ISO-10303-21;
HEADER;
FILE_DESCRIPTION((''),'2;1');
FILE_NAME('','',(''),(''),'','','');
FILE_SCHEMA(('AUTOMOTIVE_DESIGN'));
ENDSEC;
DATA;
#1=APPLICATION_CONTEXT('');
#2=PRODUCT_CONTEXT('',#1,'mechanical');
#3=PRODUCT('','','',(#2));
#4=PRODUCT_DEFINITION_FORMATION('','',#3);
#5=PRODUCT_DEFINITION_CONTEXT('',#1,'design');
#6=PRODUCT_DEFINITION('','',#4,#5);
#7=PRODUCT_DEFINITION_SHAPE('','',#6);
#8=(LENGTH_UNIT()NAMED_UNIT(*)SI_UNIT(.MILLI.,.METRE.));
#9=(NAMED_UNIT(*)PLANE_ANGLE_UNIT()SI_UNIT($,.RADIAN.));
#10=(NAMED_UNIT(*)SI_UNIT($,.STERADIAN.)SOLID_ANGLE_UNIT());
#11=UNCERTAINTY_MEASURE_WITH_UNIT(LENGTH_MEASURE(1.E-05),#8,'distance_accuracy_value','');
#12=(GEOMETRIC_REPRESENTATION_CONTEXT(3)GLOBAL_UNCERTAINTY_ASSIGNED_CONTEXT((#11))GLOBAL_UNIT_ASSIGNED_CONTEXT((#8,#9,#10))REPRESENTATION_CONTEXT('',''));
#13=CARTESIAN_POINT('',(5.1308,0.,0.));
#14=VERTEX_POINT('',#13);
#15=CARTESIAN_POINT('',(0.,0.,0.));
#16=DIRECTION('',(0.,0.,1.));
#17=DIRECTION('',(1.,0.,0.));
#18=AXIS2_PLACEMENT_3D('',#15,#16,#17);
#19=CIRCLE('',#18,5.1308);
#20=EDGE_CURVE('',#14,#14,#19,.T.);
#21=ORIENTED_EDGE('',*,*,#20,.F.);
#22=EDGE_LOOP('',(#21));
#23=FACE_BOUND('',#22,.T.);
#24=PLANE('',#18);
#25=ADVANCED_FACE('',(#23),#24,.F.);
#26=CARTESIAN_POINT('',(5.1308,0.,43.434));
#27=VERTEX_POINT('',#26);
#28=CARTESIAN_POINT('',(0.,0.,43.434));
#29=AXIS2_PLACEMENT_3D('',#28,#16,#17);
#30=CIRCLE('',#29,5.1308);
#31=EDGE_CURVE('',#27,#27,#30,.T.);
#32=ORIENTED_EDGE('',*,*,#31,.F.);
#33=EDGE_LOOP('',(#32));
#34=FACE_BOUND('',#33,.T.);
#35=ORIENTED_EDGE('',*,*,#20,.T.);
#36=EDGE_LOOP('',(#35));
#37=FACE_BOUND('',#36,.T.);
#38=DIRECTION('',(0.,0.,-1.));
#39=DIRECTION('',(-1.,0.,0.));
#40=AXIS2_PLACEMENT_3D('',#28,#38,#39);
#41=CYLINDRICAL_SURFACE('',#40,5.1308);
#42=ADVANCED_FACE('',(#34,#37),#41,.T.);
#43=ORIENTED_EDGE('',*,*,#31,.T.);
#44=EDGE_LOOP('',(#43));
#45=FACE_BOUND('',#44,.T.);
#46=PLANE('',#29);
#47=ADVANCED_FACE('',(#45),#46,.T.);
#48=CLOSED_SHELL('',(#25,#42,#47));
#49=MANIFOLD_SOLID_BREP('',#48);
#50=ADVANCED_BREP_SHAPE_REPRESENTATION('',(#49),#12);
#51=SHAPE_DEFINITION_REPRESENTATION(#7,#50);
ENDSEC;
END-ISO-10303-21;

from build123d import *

# Parameters (mm, degrees)
SKETCH1_R           = 5.1308
BOSS_EXTRUDE1_DEPTH = 43.434


with BuildPart() as part:
    # Sketch1 → Boss-Extrude1 (new body)
    with BuildSketch(Plane.XY):
        Circle(SKETCH1_R)
    extrude(amount=BOSS_EXTRUDE1_DEPTH)


solid = part.part
